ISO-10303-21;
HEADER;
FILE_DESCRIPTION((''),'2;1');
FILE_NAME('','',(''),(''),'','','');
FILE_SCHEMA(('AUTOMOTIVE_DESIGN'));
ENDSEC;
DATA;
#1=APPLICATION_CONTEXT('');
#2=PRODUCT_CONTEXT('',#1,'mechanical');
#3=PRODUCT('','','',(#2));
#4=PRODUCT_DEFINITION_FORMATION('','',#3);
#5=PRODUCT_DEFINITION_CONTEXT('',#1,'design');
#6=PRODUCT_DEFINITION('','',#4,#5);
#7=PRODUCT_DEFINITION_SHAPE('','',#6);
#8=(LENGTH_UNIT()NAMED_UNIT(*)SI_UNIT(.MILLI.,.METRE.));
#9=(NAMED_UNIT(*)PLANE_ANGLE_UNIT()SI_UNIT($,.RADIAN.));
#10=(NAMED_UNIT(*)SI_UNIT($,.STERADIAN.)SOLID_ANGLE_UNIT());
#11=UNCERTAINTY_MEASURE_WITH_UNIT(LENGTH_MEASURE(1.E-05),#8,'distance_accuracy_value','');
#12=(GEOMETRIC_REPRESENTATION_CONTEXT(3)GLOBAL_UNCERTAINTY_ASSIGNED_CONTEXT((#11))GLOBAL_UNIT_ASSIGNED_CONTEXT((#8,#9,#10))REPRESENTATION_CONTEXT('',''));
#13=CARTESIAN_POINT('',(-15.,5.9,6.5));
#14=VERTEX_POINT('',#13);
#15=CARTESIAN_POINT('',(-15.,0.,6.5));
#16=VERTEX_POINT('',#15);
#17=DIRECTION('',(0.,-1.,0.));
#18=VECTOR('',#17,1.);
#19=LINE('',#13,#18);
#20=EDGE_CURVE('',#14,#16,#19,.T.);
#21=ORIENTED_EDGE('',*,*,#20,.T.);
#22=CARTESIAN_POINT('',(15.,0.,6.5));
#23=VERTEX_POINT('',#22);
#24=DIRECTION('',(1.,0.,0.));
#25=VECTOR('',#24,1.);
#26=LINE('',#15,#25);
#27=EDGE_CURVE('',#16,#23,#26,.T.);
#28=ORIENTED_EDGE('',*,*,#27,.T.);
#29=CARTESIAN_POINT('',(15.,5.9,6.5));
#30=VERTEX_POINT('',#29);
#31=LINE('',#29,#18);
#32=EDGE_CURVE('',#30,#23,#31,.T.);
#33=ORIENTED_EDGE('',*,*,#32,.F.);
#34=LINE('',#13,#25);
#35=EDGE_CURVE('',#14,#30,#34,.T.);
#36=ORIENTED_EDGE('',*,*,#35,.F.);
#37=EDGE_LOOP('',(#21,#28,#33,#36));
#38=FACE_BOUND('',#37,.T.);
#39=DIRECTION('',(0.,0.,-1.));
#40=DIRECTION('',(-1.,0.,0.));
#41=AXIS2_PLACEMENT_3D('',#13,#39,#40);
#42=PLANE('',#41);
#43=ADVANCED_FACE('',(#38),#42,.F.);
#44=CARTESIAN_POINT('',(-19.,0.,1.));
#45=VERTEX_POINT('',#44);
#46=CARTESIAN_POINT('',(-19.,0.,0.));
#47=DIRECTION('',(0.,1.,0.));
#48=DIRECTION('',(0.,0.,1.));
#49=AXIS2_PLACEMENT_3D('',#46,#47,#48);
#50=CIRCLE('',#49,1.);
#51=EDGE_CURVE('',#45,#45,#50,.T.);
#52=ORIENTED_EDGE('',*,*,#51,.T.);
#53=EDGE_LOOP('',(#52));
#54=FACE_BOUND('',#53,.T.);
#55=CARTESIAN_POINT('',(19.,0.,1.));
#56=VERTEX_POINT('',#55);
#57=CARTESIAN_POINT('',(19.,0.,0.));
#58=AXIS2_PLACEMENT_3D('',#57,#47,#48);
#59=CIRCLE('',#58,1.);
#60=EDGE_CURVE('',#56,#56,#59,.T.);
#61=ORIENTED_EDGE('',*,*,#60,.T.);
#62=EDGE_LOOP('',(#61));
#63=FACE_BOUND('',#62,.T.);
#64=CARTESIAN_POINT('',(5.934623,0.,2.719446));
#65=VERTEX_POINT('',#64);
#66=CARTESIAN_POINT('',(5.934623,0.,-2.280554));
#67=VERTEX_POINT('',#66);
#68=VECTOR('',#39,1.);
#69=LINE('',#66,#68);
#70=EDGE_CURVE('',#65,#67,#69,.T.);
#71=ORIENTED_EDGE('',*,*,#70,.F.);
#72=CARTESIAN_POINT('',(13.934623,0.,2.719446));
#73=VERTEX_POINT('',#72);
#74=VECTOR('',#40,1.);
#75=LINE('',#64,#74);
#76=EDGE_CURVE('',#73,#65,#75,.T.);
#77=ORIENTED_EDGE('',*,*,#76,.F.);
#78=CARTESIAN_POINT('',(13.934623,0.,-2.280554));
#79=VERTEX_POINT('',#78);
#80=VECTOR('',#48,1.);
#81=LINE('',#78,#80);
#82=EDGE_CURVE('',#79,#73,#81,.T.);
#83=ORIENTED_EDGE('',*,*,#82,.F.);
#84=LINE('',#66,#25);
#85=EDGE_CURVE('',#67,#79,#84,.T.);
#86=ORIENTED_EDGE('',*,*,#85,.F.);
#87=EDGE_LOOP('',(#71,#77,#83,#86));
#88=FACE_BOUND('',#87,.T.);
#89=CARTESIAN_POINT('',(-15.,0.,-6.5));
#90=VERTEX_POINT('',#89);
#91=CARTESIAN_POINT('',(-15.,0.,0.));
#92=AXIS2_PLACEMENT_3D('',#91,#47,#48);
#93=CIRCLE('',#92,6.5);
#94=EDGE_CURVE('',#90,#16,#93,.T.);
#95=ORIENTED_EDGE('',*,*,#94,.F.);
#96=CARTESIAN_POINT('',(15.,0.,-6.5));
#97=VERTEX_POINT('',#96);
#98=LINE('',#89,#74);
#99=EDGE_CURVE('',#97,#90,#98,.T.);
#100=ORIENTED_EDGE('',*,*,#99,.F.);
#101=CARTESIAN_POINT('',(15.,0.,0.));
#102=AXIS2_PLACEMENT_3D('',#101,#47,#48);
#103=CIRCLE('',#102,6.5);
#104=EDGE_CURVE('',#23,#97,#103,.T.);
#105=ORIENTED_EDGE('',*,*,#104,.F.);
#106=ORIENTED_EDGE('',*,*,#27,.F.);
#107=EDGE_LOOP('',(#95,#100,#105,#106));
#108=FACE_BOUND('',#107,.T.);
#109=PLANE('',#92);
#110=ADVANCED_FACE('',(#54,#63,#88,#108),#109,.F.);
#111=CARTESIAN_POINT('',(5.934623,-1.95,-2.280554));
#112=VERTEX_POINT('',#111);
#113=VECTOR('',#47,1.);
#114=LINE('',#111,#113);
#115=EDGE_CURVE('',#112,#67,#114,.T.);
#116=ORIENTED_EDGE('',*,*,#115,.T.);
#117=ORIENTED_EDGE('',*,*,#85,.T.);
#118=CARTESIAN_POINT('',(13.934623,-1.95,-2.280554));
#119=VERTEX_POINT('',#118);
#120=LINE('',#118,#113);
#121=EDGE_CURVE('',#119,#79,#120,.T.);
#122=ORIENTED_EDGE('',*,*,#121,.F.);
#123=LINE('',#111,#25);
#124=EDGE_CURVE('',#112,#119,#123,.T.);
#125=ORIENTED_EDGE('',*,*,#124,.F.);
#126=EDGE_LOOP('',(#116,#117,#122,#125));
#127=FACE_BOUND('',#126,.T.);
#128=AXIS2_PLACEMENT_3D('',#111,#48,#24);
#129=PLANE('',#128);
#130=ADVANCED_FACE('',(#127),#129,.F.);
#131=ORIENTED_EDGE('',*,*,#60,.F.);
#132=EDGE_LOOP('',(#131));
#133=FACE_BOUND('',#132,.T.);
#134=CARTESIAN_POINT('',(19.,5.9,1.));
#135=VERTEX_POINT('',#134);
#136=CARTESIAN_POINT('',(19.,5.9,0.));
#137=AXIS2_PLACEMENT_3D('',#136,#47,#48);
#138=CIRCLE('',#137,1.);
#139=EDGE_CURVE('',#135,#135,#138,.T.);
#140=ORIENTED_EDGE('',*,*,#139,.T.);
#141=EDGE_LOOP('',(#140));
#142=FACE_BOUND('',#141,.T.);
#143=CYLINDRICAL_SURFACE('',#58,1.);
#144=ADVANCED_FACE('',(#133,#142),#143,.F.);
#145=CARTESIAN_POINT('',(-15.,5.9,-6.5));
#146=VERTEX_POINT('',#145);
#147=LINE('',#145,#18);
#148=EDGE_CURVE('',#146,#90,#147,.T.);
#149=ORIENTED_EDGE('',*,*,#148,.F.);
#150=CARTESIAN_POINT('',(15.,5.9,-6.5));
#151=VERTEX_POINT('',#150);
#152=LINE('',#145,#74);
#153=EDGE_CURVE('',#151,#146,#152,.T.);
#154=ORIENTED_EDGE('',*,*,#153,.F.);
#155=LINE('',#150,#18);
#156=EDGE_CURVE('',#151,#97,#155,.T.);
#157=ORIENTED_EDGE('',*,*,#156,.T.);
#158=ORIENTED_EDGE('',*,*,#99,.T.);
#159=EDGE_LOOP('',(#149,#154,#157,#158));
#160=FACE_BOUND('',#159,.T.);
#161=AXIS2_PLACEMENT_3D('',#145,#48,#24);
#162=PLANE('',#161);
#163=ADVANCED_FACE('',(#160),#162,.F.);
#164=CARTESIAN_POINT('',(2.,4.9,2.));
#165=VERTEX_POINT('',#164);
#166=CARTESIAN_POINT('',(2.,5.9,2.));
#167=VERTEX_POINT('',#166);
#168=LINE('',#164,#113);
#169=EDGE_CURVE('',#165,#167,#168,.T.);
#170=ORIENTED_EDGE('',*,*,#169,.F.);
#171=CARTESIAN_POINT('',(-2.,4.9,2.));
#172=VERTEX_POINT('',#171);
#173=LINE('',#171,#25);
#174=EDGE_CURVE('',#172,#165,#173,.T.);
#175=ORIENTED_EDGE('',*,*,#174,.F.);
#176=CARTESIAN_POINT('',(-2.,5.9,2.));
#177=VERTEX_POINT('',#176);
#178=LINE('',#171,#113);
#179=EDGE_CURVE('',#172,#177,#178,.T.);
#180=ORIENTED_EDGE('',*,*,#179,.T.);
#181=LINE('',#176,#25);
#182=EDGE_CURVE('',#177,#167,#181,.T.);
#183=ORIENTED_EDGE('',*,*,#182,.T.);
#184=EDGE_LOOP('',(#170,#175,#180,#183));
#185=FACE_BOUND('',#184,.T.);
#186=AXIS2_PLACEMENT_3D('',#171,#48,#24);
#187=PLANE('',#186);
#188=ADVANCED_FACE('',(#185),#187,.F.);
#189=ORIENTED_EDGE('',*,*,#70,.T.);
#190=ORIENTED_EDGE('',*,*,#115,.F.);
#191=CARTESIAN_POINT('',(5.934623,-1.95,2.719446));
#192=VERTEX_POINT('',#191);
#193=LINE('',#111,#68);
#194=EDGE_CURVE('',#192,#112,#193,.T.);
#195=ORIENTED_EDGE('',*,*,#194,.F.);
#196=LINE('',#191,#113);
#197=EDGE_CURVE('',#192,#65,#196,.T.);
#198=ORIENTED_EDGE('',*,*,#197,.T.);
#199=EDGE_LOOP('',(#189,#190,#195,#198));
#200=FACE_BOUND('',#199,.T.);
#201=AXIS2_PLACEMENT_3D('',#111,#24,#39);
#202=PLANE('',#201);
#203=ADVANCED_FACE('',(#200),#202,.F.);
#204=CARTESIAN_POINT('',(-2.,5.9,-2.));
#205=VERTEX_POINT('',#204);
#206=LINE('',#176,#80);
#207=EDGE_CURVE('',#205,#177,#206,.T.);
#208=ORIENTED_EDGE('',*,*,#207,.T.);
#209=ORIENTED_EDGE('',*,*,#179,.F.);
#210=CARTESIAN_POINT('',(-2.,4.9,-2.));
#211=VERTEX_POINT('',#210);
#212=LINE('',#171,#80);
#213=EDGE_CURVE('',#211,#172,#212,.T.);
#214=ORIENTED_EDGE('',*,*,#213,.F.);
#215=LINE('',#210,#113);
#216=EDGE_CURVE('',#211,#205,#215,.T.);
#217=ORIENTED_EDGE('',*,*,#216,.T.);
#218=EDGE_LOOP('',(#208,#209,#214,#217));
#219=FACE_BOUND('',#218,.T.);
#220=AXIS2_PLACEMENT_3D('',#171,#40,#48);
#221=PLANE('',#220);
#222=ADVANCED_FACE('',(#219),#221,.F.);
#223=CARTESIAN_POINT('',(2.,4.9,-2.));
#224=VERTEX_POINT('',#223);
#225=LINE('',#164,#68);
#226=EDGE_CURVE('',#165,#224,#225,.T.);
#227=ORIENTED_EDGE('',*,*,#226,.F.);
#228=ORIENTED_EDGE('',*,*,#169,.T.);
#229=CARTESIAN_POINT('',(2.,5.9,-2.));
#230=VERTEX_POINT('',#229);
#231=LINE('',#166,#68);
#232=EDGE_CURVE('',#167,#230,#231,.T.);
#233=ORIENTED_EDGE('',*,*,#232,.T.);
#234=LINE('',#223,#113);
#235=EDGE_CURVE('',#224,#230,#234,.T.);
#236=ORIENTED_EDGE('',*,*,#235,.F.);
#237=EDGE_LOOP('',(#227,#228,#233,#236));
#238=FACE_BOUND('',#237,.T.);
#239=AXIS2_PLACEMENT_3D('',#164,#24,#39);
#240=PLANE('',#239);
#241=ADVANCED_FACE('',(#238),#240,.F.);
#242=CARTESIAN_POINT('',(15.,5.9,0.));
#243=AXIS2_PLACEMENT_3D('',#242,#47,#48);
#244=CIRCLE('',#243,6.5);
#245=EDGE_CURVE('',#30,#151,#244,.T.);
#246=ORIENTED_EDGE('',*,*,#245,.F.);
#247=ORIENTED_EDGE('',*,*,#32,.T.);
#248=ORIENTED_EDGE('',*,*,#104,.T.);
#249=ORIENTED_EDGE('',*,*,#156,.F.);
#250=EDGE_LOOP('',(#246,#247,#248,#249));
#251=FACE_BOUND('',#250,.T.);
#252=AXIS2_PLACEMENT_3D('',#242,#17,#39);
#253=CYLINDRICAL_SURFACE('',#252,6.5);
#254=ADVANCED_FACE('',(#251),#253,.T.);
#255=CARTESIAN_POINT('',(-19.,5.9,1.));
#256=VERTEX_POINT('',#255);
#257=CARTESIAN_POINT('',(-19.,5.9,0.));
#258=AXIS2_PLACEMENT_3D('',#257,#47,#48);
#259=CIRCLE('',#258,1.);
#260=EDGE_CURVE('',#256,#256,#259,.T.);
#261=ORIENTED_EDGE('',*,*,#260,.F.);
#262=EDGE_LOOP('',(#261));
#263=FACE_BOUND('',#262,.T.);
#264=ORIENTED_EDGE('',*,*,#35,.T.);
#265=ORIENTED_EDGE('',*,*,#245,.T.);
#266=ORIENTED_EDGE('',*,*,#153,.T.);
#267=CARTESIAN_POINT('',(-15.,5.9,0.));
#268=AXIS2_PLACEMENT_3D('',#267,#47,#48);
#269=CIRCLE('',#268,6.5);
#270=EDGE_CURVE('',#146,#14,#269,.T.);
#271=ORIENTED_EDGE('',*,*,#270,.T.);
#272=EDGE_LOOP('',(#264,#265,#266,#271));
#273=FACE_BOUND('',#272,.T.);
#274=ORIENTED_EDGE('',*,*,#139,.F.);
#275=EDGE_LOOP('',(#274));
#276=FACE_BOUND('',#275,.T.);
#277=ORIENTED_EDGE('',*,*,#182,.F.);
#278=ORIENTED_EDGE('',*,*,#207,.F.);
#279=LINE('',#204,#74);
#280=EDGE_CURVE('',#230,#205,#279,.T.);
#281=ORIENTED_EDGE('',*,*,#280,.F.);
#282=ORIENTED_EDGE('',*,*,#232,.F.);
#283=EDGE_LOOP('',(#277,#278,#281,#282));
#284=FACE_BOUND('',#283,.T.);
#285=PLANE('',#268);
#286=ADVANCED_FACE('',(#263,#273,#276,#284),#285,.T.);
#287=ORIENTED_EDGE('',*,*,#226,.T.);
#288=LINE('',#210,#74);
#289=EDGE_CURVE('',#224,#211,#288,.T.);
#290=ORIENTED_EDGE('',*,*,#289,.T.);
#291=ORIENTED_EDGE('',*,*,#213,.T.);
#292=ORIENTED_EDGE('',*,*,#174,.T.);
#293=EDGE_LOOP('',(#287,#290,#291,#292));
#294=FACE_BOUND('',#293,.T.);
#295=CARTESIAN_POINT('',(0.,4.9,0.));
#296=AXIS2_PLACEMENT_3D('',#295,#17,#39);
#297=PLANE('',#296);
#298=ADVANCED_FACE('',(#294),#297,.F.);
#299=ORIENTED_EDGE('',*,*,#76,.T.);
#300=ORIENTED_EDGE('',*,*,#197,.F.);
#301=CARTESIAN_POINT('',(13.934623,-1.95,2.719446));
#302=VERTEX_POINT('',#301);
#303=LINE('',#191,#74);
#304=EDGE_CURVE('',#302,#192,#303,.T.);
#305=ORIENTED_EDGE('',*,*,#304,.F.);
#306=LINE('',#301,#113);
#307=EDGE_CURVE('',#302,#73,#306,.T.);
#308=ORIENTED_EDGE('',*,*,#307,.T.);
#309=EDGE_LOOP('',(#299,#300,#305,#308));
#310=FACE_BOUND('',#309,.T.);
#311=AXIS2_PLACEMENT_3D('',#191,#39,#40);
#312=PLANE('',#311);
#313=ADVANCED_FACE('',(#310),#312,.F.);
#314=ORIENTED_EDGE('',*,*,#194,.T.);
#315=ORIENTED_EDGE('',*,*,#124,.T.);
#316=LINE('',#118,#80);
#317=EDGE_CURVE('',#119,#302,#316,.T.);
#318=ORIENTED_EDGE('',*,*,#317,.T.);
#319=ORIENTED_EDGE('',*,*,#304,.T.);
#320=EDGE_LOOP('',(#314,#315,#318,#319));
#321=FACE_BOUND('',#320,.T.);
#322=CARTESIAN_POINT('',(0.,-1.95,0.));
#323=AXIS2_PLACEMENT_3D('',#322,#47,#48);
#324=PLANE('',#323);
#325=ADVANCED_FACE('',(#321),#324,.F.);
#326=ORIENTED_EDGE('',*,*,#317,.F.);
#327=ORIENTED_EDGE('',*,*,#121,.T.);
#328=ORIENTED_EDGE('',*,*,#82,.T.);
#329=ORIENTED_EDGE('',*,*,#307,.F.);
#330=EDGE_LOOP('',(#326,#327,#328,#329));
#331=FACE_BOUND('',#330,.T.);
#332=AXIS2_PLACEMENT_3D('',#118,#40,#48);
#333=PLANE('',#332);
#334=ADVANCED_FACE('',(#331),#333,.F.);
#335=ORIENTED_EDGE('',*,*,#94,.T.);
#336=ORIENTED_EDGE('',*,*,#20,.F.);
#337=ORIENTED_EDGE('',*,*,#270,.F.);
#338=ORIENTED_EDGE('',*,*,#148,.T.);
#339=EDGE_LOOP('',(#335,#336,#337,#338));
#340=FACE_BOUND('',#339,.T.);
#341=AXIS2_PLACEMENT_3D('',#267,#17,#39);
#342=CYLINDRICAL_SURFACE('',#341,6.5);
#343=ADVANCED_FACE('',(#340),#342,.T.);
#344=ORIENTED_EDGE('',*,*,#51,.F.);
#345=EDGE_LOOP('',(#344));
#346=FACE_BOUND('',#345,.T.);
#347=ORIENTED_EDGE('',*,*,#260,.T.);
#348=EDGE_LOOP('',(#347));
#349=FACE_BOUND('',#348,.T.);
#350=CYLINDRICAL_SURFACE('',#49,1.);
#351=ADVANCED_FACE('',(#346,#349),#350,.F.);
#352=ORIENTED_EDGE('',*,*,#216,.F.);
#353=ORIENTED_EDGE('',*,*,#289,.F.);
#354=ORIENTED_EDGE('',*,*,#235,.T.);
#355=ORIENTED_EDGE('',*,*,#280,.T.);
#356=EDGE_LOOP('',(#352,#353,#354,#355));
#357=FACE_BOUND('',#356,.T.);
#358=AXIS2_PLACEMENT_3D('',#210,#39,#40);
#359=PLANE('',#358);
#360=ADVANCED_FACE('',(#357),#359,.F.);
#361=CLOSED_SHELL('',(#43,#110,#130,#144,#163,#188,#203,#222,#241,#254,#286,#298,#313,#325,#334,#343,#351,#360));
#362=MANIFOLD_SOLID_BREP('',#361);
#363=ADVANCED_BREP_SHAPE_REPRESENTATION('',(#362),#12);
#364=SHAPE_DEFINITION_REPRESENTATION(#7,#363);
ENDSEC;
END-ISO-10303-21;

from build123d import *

# Parameters (mm, degrees)
BOSS_EXTRUDE1_DEPTH = 5.9
SKETCH2_R           = 1
CUT_EXTRUDE1_DEPTH  = 5.9
SKETCH3_W           = 4
SKETCH3_H           = 4
CUT_EXTRUDE2_DEPTH  = 1
SKETCH4_W           = 8
SKETCH4_H           = 5
BOSS_EXTRUDE2_DEPTH = 1.95


with BuildPart() as part:
    # Sketch1 → Boss-Extrude1 (new body)
    with BuildSketch(Plane(origin=(0, 0, 0), x_dir=(1, 0, 0), z_dir=(0, 1, 0))):
        with BuildLine():
            Line((-15, 6.5), (15, 6.5))
            ThreePointArc((15, 6.5), (21.5, 0), (15, -6.5))
            Line((15, -6.5), (-15, -6.5))
            ThreePointArc((-15, -6.5), (-21.5, 0), (-15, 6.5))
        make_face()
    extrude(amount=BOSS_EXTRUDE1_DEPTH)

    # Sketch2 → Cut-Extrude1 (cut)
    with BuildSketch(Plane(origin=(0, 5.9, 0), x_dir=(1, 0, 0), z_dir=(0, 1, 0))):
        with Locations(Location((-19, 0, 0), (0, 0, 270))):
            Circle(SKETCH2_R)
        with Locations(Location((19, 0, 0), (0, 0, 270))):
            Circle(SKETCH2_R)
    extrude(amount=-CUT_EXTRUDE1_DEPTH, mode=Mode.SUBTRACT)

    # Sketch3 → Cut-Extrude2 (cut)
    with BuildSketch(Plane(origin=(0, 5.9, 0), x_dir=(1, 0, 0), z_dir=(0, 1, 0))):
        Rectangle(SKETCH3_W, SKETCH3_H)
    extrude(amount=-CUT_EXTRUDE2_DEPTH, mode=Mode.SUBTRACT)

    # Sketch4 → Boss-Extrude2 (add)
    with BuildSketch(Plane.XZ):
        with Locations((9.93462309, 0.219446149)):
            Rectangle(SKETCH4_W, SKETCH4_H)
    extrude(amount=BOSS_EXTRUDE2_DEPTH)


solid = part.part
